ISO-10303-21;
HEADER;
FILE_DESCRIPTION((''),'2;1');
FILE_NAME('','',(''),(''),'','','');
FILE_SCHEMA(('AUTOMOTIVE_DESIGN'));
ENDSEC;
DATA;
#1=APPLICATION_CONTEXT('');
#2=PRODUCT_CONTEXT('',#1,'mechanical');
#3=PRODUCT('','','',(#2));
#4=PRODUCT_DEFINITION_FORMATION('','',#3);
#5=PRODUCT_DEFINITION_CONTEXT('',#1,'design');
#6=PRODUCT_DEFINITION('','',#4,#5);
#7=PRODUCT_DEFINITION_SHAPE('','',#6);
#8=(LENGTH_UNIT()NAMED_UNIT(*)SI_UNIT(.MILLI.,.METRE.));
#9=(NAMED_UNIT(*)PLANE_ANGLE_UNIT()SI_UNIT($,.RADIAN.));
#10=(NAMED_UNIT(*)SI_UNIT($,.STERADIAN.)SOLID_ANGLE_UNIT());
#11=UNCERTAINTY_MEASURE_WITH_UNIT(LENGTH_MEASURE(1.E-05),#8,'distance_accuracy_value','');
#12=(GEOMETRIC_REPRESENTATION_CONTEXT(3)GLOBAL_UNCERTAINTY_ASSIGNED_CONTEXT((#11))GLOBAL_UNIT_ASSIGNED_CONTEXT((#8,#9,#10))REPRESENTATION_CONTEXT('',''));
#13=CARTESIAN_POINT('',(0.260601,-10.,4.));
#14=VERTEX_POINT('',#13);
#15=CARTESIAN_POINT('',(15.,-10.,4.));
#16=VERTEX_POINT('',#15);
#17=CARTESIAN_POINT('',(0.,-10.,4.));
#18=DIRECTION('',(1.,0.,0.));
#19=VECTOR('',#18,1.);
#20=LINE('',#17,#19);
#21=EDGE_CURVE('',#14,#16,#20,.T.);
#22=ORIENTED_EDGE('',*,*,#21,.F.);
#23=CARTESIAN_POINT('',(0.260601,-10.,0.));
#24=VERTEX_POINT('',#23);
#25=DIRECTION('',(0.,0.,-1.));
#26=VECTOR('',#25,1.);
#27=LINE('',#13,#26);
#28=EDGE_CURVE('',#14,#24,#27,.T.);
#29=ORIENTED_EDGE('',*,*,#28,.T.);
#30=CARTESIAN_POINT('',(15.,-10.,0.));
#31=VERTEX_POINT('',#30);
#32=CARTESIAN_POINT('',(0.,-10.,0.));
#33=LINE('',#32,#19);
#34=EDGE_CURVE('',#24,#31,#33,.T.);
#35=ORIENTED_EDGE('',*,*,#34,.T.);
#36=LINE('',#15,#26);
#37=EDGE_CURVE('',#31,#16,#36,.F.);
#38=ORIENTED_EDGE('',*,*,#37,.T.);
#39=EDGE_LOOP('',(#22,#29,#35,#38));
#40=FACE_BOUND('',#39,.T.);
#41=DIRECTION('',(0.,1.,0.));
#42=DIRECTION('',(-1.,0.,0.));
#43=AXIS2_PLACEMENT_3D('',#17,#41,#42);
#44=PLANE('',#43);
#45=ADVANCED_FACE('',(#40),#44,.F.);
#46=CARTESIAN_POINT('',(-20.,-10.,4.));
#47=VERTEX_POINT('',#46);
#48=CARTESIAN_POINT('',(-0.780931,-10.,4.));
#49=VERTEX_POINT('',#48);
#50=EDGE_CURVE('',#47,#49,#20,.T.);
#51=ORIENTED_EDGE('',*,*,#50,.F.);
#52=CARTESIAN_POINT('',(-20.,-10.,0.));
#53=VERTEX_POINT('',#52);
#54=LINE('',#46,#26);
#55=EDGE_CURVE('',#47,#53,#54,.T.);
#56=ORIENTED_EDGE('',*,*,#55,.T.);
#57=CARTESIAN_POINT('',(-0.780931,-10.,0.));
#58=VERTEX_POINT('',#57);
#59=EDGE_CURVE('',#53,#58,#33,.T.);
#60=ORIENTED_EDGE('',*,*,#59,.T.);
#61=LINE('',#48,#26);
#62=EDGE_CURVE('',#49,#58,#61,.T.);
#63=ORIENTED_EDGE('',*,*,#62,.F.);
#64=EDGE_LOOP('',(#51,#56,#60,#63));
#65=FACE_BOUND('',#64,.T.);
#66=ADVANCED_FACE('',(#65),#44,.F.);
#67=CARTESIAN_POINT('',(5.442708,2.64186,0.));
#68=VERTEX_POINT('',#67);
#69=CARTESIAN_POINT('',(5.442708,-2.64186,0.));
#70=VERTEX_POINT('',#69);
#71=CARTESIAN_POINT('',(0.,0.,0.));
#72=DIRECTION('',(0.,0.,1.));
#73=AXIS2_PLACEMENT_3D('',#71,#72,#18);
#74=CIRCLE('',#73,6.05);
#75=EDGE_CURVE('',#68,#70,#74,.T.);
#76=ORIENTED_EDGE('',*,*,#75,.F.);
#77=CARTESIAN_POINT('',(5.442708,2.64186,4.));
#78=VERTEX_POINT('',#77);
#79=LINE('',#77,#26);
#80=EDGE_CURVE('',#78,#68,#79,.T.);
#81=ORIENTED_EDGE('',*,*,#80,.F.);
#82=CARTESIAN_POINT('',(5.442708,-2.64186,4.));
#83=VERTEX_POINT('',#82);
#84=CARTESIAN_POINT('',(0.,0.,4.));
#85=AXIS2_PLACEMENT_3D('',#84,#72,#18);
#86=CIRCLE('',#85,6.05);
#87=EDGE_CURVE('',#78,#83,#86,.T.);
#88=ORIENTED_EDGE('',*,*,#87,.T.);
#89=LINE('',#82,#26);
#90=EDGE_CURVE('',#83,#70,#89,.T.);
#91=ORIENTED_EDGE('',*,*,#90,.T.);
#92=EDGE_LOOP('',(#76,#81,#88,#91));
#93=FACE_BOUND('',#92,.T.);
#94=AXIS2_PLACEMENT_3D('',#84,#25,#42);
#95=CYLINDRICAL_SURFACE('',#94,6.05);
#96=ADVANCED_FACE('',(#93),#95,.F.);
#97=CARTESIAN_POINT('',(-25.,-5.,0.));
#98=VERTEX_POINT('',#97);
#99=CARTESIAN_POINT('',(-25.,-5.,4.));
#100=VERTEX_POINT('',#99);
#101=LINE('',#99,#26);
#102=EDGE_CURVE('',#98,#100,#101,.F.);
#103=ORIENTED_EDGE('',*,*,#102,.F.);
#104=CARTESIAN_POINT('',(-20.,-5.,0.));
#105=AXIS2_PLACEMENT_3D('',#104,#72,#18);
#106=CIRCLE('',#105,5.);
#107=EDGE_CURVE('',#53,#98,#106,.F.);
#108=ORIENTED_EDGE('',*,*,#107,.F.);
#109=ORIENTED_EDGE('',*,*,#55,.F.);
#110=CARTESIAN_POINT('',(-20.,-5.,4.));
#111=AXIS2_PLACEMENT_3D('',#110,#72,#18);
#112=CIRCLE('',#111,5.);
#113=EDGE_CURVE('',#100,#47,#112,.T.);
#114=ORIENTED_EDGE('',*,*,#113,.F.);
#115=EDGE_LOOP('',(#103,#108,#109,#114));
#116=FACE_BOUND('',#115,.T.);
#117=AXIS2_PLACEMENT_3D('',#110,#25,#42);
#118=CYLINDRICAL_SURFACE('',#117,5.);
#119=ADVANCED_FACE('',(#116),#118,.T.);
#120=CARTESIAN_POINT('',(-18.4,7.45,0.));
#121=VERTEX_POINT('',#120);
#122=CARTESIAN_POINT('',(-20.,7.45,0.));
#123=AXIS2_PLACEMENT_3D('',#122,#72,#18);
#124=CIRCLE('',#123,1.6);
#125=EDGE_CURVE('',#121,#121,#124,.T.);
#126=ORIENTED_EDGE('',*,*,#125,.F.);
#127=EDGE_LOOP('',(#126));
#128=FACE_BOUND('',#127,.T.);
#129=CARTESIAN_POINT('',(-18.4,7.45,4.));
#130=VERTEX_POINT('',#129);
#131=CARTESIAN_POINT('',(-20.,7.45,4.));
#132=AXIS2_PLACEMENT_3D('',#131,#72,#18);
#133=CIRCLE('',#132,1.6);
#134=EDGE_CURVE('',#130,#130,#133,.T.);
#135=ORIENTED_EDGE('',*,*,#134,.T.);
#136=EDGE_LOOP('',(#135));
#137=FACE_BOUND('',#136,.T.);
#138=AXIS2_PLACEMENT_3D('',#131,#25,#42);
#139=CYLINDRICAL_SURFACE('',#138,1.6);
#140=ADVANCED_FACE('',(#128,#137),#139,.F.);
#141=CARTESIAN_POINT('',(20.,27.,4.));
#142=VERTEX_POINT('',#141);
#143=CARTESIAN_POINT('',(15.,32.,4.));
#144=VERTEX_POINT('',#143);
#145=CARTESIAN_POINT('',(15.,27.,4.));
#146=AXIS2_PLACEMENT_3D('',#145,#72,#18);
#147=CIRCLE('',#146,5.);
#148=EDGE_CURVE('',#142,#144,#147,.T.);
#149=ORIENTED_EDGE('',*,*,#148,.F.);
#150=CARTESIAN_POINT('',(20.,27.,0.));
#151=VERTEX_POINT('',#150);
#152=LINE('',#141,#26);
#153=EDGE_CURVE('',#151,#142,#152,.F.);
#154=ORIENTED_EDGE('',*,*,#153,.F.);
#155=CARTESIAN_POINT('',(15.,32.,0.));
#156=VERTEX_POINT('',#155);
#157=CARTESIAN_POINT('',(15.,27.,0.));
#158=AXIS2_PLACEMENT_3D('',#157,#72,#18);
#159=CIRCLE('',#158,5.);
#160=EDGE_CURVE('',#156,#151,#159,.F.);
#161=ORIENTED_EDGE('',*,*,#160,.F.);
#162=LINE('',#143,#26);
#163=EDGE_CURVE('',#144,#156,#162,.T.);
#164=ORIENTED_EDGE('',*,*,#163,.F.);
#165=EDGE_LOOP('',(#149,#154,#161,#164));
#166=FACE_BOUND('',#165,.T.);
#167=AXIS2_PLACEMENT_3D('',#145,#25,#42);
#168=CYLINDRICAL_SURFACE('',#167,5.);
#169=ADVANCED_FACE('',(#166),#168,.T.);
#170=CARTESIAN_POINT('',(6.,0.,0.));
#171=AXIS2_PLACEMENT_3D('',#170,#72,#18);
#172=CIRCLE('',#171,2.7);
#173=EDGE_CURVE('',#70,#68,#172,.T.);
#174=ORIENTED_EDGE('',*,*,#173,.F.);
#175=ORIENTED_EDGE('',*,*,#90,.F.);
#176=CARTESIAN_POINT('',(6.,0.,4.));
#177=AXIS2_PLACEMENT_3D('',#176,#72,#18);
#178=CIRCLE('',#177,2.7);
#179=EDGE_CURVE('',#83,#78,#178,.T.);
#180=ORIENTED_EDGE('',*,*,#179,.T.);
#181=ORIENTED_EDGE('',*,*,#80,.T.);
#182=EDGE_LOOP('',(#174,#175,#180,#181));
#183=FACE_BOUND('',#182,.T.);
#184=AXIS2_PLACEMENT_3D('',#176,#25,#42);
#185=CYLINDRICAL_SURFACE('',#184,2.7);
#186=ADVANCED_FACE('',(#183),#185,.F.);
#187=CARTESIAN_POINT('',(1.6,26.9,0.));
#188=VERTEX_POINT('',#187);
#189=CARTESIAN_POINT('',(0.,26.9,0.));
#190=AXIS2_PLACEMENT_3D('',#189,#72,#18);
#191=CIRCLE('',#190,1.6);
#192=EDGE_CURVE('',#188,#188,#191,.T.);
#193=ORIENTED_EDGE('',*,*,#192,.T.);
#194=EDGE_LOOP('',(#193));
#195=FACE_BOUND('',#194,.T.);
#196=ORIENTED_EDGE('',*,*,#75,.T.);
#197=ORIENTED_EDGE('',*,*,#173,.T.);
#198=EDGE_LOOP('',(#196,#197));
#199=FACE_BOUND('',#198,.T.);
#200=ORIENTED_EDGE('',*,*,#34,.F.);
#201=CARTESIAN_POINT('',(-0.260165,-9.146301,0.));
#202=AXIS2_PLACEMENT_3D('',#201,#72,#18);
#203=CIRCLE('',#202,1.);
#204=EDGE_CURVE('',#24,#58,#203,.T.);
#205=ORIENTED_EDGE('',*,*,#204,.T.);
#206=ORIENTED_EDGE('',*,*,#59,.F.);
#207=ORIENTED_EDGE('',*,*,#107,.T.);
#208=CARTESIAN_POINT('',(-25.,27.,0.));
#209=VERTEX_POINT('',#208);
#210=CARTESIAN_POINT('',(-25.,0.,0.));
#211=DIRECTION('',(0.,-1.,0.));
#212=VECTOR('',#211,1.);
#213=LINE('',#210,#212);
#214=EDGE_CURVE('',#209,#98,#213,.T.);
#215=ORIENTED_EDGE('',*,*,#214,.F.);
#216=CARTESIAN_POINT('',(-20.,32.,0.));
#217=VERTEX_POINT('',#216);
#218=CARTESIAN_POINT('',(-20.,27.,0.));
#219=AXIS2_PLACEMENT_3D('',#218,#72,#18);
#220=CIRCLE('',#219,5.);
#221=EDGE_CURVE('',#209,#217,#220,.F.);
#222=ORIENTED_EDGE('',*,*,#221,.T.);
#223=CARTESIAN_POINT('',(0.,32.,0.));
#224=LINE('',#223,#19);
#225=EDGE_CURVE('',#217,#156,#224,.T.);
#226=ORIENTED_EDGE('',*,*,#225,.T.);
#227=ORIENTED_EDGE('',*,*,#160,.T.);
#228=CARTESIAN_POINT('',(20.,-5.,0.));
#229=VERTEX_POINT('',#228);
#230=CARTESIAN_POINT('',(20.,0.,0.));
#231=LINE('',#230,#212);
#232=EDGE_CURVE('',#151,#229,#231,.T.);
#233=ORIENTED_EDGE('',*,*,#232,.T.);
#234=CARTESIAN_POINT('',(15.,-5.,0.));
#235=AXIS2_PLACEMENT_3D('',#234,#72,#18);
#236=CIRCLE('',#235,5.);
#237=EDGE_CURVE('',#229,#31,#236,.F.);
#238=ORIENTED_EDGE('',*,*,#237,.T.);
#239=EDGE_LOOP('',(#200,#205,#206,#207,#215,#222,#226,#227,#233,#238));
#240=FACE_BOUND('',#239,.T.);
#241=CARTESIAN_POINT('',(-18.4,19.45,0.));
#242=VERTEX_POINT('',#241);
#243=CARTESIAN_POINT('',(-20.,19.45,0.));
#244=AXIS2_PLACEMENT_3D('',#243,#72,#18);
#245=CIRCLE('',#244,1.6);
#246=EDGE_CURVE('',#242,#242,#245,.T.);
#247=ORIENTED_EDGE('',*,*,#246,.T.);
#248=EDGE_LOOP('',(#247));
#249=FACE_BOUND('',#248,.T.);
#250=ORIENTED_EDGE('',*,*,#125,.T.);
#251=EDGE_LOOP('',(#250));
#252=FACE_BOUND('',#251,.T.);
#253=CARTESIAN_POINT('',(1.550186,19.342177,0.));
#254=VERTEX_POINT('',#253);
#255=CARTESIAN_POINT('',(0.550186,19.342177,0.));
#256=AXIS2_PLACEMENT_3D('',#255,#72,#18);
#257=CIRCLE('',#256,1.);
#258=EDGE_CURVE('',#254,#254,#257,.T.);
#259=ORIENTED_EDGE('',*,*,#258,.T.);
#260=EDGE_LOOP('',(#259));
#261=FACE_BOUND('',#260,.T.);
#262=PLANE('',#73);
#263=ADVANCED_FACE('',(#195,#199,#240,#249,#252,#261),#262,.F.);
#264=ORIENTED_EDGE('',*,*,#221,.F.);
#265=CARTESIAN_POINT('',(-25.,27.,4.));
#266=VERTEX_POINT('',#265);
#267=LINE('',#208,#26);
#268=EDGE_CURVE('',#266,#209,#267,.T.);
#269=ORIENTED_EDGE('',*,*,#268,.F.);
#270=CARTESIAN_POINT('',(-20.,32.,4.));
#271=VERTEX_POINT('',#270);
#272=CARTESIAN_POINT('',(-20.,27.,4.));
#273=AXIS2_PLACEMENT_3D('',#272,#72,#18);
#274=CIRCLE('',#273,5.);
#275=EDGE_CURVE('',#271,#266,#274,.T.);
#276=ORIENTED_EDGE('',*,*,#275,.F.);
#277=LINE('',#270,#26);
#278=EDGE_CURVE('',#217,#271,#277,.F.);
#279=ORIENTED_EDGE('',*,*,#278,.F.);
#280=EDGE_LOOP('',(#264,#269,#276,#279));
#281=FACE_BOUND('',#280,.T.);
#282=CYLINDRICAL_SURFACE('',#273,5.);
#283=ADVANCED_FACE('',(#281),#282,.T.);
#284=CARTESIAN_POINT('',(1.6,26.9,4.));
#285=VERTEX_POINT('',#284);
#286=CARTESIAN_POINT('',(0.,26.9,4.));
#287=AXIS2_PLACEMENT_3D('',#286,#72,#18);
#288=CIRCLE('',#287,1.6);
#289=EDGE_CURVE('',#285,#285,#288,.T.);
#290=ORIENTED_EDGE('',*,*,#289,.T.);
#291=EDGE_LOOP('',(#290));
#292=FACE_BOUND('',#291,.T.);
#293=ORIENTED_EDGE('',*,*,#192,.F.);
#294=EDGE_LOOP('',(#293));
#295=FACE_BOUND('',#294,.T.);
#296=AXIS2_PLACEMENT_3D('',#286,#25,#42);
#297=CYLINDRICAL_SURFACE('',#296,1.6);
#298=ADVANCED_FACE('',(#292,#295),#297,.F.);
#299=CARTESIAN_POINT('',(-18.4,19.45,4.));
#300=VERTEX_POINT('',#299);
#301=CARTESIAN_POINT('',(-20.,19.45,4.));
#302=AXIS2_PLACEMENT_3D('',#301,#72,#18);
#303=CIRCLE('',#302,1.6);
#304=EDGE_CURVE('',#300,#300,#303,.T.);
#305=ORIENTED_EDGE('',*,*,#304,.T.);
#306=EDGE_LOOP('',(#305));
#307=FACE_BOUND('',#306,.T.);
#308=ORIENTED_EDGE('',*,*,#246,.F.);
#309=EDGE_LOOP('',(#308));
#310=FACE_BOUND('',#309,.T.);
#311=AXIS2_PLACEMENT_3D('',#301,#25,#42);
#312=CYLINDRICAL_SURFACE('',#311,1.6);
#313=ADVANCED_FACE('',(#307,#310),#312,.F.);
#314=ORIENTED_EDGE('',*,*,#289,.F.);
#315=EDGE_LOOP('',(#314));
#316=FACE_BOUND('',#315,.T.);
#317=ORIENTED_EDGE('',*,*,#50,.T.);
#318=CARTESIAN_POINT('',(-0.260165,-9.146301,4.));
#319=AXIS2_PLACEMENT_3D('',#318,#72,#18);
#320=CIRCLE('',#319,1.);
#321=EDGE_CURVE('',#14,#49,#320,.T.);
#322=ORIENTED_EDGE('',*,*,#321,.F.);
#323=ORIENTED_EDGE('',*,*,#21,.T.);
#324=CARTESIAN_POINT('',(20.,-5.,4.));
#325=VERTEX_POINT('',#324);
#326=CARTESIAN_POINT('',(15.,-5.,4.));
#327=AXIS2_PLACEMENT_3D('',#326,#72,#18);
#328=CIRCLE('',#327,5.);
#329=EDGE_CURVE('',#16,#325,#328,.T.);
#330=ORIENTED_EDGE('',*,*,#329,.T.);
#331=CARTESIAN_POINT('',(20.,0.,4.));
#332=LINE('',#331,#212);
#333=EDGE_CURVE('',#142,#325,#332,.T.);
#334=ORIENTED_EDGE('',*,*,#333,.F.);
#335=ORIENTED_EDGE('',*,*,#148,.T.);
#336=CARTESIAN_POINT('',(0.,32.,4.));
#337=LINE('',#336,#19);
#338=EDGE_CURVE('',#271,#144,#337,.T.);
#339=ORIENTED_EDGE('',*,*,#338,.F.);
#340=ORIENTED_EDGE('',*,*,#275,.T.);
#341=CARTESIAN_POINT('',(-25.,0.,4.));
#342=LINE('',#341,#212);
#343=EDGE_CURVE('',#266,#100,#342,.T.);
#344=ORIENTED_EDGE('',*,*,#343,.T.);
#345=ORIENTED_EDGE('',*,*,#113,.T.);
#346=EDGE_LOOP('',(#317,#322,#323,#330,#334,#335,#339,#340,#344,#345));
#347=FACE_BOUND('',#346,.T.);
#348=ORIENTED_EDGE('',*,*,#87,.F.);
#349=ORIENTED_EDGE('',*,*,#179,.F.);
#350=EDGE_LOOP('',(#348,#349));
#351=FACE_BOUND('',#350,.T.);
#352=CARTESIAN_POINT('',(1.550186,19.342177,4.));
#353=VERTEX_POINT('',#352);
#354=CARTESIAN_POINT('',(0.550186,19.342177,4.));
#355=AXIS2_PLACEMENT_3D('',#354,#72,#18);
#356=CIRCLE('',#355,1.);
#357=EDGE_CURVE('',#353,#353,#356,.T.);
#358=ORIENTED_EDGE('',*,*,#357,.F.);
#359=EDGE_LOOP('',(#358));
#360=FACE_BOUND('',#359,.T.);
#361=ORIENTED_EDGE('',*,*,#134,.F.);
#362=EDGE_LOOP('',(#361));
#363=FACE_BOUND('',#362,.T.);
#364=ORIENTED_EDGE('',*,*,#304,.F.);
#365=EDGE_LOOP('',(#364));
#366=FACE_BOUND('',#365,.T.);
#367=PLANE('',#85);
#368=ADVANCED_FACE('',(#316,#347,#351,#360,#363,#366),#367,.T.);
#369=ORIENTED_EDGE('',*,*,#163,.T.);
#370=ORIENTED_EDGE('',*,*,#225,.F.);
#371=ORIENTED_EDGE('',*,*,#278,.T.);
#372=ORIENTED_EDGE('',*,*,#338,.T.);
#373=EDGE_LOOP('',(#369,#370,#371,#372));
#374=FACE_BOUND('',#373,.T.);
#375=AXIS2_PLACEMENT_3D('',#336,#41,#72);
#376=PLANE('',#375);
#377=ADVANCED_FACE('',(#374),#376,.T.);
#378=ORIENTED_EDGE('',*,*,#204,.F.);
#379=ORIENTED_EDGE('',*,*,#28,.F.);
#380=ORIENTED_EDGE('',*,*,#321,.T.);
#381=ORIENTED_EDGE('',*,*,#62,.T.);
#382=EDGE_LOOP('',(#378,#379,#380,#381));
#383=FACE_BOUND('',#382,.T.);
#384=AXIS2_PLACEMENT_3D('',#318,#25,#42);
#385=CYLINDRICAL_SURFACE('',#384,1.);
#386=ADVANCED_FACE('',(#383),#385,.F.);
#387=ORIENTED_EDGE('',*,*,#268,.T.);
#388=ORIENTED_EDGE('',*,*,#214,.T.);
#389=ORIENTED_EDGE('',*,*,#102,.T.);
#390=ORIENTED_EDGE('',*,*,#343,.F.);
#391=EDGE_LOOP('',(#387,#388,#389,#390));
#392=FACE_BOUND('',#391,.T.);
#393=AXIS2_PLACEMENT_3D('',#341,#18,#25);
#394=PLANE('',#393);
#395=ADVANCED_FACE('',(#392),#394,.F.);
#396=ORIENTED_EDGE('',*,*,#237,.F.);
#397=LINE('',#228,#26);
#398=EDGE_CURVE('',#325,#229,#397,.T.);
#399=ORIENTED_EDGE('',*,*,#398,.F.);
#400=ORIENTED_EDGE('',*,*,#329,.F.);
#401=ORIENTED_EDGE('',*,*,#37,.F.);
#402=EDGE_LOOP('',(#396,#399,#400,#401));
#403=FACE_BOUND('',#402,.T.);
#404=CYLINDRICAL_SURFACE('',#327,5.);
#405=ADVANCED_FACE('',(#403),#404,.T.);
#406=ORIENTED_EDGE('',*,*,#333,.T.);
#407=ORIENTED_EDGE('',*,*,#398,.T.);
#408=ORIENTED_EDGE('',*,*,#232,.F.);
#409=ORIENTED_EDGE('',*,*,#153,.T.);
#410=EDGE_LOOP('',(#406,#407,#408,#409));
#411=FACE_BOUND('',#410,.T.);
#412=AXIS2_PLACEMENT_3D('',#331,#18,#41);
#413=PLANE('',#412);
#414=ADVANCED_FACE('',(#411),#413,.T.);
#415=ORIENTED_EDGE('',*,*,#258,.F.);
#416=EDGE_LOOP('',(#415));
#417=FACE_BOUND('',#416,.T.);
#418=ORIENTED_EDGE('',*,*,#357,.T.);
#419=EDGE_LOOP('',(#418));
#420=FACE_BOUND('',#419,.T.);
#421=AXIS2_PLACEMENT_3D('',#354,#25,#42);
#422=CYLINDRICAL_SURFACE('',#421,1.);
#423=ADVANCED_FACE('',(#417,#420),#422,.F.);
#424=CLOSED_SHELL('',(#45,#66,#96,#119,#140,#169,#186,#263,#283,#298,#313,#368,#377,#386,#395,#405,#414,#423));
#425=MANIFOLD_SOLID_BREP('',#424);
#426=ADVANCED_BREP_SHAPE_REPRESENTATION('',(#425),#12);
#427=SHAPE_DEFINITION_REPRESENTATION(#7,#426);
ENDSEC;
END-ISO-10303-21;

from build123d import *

# Parameters (mm, degrees)
SKETCH1_R           = 1.6
BOSS_EXTRUDE1_DEPTH = 4
FILLET1_R           = 5


with BuildPart() as part:
    # Sketch1 → Boss-Extrude1 (new body)
    with BuildSketch(Plane.XY):
        with BuildLine():
            Line((20, 32), (-25, 32))
            Line((-25, 32), (-25, -10))
            Line((-25, -10), (-0.78093138, -10))
            ThreePointArc((-0.78093138, -10), (-0.832904243, -9.966038414), (-0.882669446, -9.928917093))
            ThreePointArc((-0.882669446, -9.928917093), (-0.231731966, -8.146704874), (0.316845382, -9.963037138))
            ThreePointArc((0.316845382, -9.963037138), (0.289034097, -9.981991883), (0.260600707, -10))
            Line((0.260600707, -10), (20, -10))
            Line((20, -10), (20, 32))
        make_face()
        with Locations((-20, 7.45)):
            Circle(SKETCH1_R, mode=Mode.SUBTRACT)
        with BuildLine():
            ThreePointArc((5.442708333, -2.641860329), (-6.05, 0), (5.442708333, 2.641860329))
            ThreePointArc((5.442708333, 2.641860329), (8.7, 0), (5.442708333, -2.641860329))
        make_face(mode=Mode.SUBTRACT)
        with Locations((-20, 19.45)):
            Circle(SKETCH1_R, mode=Mode.SUBTRACT)
        with BuildLine():
            ThreePointArc((1.25114395, 18.628974283), (-0.217290022, 18.701098604), (-0.026825007, 20.158913176))
            ThreePointArc((-0.026825007, 20.158913176), (0.578619081, 20.341772292), (1.172689821, 20.124793131))
            ThreePointArc((1.172689821, 20.124793131), (1.548813096, 19.39455356), (1.25114395, 18.628974283))
        make_face(mode=Mode.SUBTRACT)
        with Locations((0, 26.9)):
            Circle(SKETCH1_R, mode=Mode.SUBTRACT)
    extrude(amount=BOSS_EXTRUDE1_DEPTH)

    # Fillet1
    fillet1_edges = [part.edges().sort_by_distance(p)[0] for p in [
        (-25, -10, 2),
        (-25, 32, 2),
        (20, 32, 2),
        (20, -10, 2),
    ]]
    fillet(fillet1_edges, radius=FILLET1_R)


solid = part.part
